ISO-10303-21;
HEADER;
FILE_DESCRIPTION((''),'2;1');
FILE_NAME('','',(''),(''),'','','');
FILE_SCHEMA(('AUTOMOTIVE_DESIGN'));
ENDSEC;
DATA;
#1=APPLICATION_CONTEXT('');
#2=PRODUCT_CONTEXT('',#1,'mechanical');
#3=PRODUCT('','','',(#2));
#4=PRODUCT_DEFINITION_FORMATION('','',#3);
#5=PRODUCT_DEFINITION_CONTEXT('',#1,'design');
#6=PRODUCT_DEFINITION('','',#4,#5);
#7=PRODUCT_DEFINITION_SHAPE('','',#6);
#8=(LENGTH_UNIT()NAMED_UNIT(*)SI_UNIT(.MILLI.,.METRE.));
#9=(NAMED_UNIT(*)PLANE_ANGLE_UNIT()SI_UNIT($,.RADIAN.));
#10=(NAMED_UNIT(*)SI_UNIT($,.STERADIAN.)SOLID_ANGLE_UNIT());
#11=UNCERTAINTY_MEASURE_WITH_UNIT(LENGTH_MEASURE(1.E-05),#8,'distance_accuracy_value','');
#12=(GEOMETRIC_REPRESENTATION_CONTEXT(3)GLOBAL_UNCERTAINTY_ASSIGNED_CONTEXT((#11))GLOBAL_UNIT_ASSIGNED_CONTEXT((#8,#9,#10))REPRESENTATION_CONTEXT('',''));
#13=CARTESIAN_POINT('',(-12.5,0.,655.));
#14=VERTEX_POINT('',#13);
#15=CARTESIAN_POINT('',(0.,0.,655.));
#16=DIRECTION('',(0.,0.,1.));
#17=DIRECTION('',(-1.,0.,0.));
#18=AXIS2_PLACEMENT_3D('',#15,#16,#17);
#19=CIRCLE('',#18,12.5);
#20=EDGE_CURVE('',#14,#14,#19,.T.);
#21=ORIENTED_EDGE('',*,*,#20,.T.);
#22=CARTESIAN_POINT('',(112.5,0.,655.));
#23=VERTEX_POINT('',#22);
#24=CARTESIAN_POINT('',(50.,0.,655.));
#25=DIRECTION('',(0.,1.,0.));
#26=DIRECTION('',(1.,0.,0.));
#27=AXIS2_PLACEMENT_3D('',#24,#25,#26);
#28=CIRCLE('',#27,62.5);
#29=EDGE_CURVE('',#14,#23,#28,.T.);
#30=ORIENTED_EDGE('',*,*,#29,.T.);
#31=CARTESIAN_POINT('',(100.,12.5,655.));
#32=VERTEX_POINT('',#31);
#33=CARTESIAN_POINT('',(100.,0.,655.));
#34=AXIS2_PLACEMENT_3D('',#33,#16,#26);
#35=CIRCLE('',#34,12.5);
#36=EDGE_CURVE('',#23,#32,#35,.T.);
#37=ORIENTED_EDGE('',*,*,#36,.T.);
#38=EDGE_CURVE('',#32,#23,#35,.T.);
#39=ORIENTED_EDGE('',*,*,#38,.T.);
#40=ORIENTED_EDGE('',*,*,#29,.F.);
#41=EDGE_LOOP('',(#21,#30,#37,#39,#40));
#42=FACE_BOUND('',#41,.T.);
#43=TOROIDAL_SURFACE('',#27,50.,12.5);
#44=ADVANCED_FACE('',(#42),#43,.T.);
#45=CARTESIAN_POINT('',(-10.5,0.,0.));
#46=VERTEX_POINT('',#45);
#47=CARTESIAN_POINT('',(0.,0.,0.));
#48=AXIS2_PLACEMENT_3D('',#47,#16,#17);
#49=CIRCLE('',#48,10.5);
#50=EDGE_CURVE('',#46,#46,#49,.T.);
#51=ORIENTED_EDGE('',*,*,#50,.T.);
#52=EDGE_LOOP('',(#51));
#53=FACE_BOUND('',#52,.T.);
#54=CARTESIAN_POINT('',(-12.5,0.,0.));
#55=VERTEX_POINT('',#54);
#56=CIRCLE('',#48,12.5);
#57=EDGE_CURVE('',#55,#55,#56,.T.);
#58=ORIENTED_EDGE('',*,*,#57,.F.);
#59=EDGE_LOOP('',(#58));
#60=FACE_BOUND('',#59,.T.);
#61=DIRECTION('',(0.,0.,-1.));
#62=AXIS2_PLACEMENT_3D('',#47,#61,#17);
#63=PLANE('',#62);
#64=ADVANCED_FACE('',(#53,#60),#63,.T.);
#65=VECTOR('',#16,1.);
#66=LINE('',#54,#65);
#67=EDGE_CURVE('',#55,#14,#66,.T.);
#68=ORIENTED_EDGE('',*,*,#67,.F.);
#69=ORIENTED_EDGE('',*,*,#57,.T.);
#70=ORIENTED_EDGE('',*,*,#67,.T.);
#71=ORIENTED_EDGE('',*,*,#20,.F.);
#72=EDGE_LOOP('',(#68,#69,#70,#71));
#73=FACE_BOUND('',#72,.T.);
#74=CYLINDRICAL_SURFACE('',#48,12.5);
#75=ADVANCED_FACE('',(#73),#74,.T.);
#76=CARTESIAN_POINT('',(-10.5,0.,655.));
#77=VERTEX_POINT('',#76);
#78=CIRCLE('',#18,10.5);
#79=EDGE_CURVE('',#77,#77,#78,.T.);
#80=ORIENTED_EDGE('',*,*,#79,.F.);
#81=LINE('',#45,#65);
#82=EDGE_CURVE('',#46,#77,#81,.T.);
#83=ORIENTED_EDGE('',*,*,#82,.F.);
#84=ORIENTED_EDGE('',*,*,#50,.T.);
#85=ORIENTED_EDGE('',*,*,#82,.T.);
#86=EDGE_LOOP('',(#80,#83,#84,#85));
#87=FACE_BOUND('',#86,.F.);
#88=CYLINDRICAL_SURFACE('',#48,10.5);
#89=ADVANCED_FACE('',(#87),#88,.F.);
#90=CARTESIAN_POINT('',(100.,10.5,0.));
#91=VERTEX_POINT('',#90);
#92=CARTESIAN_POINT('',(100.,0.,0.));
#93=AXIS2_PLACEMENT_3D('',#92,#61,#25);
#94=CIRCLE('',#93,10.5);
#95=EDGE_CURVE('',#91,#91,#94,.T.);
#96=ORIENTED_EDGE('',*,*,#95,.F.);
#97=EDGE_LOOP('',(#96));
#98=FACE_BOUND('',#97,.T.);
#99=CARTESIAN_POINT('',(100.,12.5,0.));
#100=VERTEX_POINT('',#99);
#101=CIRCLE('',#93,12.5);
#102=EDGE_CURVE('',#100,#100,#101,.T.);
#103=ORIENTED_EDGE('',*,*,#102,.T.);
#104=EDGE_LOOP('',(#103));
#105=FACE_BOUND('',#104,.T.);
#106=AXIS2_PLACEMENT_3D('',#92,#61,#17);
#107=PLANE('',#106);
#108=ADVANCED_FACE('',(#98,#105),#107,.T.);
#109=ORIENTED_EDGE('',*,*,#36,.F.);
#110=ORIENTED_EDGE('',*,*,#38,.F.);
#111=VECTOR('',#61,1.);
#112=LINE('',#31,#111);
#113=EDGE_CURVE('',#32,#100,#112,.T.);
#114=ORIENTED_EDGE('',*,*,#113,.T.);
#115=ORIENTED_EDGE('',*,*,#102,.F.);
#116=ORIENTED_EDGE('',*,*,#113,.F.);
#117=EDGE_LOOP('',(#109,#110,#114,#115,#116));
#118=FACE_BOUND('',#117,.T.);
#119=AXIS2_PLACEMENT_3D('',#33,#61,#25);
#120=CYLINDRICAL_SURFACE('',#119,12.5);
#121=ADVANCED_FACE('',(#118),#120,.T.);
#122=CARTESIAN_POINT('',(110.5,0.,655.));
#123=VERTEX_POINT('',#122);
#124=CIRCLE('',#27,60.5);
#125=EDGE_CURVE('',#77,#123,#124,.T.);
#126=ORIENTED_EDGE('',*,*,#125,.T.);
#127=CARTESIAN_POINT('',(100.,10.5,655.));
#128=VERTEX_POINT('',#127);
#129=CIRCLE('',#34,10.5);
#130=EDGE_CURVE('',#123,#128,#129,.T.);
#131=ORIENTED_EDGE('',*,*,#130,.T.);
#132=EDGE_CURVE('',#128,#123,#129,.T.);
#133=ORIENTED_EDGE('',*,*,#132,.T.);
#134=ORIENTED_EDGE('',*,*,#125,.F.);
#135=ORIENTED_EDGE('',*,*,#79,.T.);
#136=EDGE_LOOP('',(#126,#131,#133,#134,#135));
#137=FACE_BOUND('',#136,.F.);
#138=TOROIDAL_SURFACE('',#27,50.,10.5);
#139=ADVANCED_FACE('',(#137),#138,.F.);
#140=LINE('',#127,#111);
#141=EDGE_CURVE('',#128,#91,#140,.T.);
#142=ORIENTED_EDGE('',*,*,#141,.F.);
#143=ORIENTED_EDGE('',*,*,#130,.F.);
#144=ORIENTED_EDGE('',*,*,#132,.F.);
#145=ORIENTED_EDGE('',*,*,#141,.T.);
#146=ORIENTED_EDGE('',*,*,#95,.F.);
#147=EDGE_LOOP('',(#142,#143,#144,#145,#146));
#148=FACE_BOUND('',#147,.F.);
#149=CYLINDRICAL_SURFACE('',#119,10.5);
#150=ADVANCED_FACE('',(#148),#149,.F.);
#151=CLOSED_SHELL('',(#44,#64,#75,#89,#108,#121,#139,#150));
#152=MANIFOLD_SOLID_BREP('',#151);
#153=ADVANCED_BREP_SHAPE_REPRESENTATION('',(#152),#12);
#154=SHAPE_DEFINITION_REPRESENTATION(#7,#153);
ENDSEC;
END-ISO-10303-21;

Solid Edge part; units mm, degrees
sketch "Sketch1" plane through (0, 0, 0) normal (0, -1, 0) x (1, 0, 0)
  line L0 (0, 0) -> (0, 655)
  dimension "D1" = 100
  dimension "D2" = 655
sketch "Sketch2" plane through (0, 0, 0) normal (0, 0, -1) x (-1, 0, 0)
  circle A0 centre (0, 0) radius 12.5
sweep "SweptProtrusion_8" add profiles "Sketch2" path "Sketch1"
sketch "Sketch3" plane through (0, 0, 0) normal (0, -1, 0) x (1, 0, 0)
  arc A0 (0, 655) -> (100, 655) centre (50, 655) cw
sketch "Sketch4" plane through (0, 0, 655) normal (0, 0, 1) x (-1, 0, 0)
  circle A0 centre (0, 0) radius 12.5
sweep "SweptProtrusion_10" add profiles "Sketch4" path "Sketch3"
sketch "Sketch5" plane through (0, 0, 0) normal (0, -1, 0) x (1, 0, 0)
  line L0 (100, 655) -> (100, 0)
  dimension "D1" = 100
  dimension "D2" = 655
sketch "Sketch6" plane through (100, 0, 655) normal (0, 0, -1) x (0, 1, 0)
  circle A0 centre (0, 0) radius 12.5
sweep "SweptProtrusion_11" add profiles "Sketch6" path "Sketch5"
shell "Thinwall_2" thickness 2 removed faces 4 at (8.5833, -8.0833, 0) at (108.5833, -8.0833, 0) at (8.5833, -8.0833, 0) at (108.5833, -8.0833, 0)
properties material "Stainless steel"
